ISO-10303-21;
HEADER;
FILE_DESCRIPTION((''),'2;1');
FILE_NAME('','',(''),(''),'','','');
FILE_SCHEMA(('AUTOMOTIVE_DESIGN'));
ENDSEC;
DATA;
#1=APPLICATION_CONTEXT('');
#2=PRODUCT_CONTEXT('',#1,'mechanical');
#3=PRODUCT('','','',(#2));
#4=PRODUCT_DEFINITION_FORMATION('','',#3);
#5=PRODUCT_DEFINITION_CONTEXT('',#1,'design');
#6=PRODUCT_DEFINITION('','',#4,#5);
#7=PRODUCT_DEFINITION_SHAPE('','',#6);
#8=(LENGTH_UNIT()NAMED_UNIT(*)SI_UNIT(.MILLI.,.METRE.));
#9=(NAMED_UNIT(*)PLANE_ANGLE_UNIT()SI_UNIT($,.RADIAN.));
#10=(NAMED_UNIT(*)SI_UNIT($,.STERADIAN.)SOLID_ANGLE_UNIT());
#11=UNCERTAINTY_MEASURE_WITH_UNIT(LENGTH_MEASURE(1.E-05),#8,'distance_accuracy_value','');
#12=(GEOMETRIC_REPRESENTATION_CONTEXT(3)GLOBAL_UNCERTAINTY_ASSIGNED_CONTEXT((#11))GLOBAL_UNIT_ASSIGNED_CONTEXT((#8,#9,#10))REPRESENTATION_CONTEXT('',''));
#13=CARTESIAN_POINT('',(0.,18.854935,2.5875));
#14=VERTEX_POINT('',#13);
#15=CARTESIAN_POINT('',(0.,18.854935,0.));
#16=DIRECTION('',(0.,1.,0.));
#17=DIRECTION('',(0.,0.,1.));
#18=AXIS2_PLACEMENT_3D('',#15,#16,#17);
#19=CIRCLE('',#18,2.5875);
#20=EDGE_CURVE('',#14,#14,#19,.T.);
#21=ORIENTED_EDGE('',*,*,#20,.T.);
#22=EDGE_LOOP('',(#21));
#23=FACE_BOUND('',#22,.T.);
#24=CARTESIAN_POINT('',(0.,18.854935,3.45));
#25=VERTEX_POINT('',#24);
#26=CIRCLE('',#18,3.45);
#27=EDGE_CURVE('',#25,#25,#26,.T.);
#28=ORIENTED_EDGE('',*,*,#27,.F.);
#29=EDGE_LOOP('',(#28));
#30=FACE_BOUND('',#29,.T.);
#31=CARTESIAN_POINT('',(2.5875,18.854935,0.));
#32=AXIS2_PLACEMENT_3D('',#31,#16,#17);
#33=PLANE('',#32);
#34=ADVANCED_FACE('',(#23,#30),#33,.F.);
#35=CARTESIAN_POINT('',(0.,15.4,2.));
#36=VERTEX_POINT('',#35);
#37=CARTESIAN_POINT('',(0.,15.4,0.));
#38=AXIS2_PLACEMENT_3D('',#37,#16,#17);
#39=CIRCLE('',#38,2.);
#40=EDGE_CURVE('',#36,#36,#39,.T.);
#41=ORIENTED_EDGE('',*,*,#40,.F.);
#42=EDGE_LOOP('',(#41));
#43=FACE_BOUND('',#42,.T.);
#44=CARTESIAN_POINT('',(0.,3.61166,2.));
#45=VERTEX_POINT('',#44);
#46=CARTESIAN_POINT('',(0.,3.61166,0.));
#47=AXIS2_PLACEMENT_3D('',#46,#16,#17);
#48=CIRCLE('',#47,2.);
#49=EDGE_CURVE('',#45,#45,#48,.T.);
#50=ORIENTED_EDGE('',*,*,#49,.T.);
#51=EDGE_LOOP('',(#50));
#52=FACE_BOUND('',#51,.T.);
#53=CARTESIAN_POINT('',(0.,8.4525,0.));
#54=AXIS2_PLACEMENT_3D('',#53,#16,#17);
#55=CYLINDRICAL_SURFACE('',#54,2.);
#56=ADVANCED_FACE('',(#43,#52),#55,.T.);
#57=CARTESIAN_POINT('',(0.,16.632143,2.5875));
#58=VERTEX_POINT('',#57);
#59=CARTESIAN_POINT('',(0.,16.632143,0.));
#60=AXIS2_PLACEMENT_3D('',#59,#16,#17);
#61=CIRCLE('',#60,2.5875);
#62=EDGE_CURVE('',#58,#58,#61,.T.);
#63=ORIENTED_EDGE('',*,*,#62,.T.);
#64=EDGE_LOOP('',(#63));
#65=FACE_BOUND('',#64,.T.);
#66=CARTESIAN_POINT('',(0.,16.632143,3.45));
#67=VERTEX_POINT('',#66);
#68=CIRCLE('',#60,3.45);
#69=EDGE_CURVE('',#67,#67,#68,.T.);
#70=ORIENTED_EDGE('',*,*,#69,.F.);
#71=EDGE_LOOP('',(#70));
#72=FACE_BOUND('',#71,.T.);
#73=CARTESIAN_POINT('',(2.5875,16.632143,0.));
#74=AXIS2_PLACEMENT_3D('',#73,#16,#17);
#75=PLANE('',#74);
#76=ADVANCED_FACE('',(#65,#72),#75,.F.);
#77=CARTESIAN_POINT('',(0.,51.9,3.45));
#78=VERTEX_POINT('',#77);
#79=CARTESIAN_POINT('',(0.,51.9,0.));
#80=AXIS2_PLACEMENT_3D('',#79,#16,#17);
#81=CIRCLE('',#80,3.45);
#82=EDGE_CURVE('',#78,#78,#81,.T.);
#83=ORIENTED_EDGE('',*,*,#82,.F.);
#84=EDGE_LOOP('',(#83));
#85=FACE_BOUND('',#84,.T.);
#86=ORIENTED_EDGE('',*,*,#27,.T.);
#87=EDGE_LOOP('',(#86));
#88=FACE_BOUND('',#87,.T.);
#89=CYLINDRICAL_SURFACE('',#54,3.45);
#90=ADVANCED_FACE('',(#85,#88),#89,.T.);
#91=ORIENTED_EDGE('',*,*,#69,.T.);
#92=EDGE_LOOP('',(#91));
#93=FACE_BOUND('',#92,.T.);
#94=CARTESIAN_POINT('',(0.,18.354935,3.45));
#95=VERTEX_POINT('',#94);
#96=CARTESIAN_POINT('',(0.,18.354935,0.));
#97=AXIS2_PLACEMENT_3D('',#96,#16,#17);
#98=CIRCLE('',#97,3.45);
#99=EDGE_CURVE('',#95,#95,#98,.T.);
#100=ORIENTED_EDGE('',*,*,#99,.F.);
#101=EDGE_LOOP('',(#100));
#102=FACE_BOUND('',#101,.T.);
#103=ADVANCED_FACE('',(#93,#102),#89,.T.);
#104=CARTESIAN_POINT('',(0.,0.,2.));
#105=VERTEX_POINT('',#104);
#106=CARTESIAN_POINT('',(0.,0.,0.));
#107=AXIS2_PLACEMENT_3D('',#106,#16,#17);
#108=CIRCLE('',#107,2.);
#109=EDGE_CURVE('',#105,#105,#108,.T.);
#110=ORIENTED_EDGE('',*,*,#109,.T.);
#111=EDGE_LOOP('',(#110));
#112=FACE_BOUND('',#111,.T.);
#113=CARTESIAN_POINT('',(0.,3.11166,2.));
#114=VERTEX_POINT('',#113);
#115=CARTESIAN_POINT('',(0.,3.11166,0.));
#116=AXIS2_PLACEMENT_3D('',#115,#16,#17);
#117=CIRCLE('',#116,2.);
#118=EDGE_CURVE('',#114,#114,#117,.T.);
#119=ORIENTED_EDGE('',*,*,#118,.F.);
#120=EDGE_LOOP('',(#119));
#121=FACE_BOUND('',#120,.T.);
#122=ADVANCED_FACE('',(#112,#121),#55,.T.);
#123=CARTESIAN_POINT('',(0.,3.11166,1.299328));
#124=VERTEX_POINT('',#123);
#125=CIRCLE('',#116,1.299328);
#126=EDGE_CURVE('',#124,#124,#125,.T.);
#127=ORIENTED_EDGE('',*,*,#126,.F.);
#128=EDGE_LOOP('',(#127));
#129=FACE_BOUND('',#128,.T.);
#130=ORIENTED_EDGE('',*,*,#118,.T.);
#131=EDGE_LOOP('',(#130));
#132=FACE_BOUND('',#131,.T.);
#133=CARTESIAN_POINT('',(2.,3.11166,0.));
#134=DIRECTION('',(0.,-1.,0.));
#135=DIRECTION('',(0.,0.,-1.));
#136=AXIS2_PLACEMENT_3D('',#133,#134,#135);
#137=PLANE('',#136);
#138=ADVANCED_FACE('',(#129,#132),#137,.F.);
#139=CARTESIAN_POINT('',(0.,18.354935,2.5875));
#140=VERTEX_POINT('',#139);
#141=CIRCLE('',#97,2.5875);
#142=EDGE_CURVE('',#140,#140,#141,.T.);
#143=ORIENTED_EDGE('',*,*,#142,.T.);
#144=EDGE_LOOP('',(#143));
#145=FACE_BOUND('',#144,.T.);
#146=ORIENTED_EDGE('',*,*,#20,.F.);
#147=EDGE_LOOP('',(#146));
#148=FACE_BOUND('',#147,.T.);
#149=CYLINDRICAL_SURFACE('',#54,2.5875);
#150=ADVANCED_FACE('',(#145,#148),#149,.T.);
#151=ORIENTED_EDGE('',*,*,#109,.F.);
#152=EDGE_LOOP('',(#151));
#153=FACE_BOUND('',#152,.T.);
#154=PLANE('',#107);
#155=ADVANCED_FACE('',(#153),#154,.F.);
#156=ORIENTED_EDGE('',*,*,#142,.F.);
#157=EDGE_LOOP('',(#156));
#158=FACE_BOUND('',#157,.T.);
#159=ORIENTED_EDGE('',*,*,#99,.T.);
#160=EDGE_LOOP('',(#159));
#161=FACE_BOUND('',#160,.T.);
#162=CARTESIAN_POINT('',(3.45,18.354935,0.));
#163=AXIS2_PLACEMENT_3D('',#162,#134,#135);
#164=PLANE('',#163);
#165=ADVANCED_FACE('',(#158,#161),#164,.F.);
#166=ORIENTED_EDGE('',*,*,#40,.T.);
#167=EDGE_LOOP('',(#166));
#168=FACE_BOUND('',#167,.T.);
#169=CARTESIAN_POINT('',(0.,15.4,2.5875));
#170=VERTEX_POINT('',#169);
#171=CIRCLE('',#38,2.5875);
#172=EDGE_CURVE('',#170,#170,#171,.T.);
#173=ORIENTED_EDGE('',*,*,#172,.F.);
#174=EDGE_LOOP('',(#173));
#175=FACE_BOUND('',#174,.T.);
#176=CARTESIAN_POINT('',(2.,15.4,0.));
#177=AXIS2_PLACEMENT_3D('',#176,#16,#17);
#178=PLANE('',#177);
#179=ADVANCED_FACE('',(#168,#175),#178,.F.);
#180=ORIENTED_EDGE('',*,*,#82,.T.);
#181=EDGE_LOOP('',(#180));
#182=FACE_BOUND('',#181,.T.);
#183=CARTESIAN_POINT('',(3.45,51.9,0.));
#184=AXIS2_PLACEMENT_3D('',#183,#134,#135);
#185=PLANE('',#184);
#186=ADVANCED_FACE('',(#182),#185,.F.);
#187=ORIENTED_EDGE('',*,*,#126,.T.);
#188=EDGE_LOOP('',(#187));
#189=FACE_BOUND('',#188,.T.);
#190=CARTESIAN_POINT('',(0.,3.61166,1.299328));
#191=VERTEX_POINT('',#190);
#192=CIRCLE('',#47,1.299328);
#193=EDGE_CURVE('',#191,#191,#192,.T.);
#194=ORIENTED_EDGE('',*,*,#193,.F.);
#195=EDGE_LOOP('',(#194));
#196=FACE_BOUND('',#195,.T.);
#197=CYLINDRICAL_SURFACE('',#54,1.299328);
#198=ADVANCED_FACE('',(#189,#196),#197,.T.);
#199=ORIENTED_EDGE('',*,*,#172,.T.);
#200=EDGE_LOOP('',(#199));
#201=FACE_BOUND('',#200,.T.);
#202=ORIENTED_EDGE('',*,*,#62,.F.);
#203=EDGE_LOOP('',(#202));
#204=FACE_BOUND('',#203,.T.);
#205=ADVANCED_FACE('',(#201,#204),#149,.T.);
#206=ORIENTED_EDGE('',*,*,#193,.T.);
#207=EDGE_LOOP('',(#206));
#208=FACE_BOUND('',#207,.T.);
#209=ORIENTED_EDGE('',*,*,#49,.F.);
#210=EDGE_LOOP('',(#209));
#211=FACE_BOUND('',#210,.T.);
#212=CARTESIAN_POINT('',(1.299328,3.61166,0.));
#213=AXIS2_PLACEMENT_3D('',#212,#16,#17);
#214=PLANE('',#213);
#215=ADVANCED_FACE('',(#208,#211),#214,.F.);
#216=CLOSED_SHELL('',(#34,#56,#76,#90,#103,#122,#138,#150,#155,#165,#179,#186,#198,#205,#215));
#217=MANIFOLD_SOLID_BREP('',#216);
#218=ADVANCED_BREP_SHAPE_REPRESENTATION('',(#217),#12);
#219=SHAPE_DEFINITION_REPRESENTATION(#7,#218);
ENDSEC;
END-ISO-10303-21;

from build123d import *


with BuildPart() as part:
    # Sketch1 → Revolve1 (revolve)
    with BuildSketch(Plane.XY):
        Polygon((0, 0), (2, 0), (2, 3.111660195), (1.299327849, 3.111660195), (1.299327849, 3.611660195), (2, 3.611660195), (2, 15.4), (2.5875, 15.4), (2.5875, 16.632142857), (3.45, 16.632142857), (3.45, 18.354934716), (2.5875, 18.354934716), (2.5875, 18.854934716), (3.45, 18.854934716), (3.45, 51.9), (0, 51.9), align=None)
    revolve(axis=Axis((0, 8.4525, 0), (0, -1, 0)))


solid = part.part
